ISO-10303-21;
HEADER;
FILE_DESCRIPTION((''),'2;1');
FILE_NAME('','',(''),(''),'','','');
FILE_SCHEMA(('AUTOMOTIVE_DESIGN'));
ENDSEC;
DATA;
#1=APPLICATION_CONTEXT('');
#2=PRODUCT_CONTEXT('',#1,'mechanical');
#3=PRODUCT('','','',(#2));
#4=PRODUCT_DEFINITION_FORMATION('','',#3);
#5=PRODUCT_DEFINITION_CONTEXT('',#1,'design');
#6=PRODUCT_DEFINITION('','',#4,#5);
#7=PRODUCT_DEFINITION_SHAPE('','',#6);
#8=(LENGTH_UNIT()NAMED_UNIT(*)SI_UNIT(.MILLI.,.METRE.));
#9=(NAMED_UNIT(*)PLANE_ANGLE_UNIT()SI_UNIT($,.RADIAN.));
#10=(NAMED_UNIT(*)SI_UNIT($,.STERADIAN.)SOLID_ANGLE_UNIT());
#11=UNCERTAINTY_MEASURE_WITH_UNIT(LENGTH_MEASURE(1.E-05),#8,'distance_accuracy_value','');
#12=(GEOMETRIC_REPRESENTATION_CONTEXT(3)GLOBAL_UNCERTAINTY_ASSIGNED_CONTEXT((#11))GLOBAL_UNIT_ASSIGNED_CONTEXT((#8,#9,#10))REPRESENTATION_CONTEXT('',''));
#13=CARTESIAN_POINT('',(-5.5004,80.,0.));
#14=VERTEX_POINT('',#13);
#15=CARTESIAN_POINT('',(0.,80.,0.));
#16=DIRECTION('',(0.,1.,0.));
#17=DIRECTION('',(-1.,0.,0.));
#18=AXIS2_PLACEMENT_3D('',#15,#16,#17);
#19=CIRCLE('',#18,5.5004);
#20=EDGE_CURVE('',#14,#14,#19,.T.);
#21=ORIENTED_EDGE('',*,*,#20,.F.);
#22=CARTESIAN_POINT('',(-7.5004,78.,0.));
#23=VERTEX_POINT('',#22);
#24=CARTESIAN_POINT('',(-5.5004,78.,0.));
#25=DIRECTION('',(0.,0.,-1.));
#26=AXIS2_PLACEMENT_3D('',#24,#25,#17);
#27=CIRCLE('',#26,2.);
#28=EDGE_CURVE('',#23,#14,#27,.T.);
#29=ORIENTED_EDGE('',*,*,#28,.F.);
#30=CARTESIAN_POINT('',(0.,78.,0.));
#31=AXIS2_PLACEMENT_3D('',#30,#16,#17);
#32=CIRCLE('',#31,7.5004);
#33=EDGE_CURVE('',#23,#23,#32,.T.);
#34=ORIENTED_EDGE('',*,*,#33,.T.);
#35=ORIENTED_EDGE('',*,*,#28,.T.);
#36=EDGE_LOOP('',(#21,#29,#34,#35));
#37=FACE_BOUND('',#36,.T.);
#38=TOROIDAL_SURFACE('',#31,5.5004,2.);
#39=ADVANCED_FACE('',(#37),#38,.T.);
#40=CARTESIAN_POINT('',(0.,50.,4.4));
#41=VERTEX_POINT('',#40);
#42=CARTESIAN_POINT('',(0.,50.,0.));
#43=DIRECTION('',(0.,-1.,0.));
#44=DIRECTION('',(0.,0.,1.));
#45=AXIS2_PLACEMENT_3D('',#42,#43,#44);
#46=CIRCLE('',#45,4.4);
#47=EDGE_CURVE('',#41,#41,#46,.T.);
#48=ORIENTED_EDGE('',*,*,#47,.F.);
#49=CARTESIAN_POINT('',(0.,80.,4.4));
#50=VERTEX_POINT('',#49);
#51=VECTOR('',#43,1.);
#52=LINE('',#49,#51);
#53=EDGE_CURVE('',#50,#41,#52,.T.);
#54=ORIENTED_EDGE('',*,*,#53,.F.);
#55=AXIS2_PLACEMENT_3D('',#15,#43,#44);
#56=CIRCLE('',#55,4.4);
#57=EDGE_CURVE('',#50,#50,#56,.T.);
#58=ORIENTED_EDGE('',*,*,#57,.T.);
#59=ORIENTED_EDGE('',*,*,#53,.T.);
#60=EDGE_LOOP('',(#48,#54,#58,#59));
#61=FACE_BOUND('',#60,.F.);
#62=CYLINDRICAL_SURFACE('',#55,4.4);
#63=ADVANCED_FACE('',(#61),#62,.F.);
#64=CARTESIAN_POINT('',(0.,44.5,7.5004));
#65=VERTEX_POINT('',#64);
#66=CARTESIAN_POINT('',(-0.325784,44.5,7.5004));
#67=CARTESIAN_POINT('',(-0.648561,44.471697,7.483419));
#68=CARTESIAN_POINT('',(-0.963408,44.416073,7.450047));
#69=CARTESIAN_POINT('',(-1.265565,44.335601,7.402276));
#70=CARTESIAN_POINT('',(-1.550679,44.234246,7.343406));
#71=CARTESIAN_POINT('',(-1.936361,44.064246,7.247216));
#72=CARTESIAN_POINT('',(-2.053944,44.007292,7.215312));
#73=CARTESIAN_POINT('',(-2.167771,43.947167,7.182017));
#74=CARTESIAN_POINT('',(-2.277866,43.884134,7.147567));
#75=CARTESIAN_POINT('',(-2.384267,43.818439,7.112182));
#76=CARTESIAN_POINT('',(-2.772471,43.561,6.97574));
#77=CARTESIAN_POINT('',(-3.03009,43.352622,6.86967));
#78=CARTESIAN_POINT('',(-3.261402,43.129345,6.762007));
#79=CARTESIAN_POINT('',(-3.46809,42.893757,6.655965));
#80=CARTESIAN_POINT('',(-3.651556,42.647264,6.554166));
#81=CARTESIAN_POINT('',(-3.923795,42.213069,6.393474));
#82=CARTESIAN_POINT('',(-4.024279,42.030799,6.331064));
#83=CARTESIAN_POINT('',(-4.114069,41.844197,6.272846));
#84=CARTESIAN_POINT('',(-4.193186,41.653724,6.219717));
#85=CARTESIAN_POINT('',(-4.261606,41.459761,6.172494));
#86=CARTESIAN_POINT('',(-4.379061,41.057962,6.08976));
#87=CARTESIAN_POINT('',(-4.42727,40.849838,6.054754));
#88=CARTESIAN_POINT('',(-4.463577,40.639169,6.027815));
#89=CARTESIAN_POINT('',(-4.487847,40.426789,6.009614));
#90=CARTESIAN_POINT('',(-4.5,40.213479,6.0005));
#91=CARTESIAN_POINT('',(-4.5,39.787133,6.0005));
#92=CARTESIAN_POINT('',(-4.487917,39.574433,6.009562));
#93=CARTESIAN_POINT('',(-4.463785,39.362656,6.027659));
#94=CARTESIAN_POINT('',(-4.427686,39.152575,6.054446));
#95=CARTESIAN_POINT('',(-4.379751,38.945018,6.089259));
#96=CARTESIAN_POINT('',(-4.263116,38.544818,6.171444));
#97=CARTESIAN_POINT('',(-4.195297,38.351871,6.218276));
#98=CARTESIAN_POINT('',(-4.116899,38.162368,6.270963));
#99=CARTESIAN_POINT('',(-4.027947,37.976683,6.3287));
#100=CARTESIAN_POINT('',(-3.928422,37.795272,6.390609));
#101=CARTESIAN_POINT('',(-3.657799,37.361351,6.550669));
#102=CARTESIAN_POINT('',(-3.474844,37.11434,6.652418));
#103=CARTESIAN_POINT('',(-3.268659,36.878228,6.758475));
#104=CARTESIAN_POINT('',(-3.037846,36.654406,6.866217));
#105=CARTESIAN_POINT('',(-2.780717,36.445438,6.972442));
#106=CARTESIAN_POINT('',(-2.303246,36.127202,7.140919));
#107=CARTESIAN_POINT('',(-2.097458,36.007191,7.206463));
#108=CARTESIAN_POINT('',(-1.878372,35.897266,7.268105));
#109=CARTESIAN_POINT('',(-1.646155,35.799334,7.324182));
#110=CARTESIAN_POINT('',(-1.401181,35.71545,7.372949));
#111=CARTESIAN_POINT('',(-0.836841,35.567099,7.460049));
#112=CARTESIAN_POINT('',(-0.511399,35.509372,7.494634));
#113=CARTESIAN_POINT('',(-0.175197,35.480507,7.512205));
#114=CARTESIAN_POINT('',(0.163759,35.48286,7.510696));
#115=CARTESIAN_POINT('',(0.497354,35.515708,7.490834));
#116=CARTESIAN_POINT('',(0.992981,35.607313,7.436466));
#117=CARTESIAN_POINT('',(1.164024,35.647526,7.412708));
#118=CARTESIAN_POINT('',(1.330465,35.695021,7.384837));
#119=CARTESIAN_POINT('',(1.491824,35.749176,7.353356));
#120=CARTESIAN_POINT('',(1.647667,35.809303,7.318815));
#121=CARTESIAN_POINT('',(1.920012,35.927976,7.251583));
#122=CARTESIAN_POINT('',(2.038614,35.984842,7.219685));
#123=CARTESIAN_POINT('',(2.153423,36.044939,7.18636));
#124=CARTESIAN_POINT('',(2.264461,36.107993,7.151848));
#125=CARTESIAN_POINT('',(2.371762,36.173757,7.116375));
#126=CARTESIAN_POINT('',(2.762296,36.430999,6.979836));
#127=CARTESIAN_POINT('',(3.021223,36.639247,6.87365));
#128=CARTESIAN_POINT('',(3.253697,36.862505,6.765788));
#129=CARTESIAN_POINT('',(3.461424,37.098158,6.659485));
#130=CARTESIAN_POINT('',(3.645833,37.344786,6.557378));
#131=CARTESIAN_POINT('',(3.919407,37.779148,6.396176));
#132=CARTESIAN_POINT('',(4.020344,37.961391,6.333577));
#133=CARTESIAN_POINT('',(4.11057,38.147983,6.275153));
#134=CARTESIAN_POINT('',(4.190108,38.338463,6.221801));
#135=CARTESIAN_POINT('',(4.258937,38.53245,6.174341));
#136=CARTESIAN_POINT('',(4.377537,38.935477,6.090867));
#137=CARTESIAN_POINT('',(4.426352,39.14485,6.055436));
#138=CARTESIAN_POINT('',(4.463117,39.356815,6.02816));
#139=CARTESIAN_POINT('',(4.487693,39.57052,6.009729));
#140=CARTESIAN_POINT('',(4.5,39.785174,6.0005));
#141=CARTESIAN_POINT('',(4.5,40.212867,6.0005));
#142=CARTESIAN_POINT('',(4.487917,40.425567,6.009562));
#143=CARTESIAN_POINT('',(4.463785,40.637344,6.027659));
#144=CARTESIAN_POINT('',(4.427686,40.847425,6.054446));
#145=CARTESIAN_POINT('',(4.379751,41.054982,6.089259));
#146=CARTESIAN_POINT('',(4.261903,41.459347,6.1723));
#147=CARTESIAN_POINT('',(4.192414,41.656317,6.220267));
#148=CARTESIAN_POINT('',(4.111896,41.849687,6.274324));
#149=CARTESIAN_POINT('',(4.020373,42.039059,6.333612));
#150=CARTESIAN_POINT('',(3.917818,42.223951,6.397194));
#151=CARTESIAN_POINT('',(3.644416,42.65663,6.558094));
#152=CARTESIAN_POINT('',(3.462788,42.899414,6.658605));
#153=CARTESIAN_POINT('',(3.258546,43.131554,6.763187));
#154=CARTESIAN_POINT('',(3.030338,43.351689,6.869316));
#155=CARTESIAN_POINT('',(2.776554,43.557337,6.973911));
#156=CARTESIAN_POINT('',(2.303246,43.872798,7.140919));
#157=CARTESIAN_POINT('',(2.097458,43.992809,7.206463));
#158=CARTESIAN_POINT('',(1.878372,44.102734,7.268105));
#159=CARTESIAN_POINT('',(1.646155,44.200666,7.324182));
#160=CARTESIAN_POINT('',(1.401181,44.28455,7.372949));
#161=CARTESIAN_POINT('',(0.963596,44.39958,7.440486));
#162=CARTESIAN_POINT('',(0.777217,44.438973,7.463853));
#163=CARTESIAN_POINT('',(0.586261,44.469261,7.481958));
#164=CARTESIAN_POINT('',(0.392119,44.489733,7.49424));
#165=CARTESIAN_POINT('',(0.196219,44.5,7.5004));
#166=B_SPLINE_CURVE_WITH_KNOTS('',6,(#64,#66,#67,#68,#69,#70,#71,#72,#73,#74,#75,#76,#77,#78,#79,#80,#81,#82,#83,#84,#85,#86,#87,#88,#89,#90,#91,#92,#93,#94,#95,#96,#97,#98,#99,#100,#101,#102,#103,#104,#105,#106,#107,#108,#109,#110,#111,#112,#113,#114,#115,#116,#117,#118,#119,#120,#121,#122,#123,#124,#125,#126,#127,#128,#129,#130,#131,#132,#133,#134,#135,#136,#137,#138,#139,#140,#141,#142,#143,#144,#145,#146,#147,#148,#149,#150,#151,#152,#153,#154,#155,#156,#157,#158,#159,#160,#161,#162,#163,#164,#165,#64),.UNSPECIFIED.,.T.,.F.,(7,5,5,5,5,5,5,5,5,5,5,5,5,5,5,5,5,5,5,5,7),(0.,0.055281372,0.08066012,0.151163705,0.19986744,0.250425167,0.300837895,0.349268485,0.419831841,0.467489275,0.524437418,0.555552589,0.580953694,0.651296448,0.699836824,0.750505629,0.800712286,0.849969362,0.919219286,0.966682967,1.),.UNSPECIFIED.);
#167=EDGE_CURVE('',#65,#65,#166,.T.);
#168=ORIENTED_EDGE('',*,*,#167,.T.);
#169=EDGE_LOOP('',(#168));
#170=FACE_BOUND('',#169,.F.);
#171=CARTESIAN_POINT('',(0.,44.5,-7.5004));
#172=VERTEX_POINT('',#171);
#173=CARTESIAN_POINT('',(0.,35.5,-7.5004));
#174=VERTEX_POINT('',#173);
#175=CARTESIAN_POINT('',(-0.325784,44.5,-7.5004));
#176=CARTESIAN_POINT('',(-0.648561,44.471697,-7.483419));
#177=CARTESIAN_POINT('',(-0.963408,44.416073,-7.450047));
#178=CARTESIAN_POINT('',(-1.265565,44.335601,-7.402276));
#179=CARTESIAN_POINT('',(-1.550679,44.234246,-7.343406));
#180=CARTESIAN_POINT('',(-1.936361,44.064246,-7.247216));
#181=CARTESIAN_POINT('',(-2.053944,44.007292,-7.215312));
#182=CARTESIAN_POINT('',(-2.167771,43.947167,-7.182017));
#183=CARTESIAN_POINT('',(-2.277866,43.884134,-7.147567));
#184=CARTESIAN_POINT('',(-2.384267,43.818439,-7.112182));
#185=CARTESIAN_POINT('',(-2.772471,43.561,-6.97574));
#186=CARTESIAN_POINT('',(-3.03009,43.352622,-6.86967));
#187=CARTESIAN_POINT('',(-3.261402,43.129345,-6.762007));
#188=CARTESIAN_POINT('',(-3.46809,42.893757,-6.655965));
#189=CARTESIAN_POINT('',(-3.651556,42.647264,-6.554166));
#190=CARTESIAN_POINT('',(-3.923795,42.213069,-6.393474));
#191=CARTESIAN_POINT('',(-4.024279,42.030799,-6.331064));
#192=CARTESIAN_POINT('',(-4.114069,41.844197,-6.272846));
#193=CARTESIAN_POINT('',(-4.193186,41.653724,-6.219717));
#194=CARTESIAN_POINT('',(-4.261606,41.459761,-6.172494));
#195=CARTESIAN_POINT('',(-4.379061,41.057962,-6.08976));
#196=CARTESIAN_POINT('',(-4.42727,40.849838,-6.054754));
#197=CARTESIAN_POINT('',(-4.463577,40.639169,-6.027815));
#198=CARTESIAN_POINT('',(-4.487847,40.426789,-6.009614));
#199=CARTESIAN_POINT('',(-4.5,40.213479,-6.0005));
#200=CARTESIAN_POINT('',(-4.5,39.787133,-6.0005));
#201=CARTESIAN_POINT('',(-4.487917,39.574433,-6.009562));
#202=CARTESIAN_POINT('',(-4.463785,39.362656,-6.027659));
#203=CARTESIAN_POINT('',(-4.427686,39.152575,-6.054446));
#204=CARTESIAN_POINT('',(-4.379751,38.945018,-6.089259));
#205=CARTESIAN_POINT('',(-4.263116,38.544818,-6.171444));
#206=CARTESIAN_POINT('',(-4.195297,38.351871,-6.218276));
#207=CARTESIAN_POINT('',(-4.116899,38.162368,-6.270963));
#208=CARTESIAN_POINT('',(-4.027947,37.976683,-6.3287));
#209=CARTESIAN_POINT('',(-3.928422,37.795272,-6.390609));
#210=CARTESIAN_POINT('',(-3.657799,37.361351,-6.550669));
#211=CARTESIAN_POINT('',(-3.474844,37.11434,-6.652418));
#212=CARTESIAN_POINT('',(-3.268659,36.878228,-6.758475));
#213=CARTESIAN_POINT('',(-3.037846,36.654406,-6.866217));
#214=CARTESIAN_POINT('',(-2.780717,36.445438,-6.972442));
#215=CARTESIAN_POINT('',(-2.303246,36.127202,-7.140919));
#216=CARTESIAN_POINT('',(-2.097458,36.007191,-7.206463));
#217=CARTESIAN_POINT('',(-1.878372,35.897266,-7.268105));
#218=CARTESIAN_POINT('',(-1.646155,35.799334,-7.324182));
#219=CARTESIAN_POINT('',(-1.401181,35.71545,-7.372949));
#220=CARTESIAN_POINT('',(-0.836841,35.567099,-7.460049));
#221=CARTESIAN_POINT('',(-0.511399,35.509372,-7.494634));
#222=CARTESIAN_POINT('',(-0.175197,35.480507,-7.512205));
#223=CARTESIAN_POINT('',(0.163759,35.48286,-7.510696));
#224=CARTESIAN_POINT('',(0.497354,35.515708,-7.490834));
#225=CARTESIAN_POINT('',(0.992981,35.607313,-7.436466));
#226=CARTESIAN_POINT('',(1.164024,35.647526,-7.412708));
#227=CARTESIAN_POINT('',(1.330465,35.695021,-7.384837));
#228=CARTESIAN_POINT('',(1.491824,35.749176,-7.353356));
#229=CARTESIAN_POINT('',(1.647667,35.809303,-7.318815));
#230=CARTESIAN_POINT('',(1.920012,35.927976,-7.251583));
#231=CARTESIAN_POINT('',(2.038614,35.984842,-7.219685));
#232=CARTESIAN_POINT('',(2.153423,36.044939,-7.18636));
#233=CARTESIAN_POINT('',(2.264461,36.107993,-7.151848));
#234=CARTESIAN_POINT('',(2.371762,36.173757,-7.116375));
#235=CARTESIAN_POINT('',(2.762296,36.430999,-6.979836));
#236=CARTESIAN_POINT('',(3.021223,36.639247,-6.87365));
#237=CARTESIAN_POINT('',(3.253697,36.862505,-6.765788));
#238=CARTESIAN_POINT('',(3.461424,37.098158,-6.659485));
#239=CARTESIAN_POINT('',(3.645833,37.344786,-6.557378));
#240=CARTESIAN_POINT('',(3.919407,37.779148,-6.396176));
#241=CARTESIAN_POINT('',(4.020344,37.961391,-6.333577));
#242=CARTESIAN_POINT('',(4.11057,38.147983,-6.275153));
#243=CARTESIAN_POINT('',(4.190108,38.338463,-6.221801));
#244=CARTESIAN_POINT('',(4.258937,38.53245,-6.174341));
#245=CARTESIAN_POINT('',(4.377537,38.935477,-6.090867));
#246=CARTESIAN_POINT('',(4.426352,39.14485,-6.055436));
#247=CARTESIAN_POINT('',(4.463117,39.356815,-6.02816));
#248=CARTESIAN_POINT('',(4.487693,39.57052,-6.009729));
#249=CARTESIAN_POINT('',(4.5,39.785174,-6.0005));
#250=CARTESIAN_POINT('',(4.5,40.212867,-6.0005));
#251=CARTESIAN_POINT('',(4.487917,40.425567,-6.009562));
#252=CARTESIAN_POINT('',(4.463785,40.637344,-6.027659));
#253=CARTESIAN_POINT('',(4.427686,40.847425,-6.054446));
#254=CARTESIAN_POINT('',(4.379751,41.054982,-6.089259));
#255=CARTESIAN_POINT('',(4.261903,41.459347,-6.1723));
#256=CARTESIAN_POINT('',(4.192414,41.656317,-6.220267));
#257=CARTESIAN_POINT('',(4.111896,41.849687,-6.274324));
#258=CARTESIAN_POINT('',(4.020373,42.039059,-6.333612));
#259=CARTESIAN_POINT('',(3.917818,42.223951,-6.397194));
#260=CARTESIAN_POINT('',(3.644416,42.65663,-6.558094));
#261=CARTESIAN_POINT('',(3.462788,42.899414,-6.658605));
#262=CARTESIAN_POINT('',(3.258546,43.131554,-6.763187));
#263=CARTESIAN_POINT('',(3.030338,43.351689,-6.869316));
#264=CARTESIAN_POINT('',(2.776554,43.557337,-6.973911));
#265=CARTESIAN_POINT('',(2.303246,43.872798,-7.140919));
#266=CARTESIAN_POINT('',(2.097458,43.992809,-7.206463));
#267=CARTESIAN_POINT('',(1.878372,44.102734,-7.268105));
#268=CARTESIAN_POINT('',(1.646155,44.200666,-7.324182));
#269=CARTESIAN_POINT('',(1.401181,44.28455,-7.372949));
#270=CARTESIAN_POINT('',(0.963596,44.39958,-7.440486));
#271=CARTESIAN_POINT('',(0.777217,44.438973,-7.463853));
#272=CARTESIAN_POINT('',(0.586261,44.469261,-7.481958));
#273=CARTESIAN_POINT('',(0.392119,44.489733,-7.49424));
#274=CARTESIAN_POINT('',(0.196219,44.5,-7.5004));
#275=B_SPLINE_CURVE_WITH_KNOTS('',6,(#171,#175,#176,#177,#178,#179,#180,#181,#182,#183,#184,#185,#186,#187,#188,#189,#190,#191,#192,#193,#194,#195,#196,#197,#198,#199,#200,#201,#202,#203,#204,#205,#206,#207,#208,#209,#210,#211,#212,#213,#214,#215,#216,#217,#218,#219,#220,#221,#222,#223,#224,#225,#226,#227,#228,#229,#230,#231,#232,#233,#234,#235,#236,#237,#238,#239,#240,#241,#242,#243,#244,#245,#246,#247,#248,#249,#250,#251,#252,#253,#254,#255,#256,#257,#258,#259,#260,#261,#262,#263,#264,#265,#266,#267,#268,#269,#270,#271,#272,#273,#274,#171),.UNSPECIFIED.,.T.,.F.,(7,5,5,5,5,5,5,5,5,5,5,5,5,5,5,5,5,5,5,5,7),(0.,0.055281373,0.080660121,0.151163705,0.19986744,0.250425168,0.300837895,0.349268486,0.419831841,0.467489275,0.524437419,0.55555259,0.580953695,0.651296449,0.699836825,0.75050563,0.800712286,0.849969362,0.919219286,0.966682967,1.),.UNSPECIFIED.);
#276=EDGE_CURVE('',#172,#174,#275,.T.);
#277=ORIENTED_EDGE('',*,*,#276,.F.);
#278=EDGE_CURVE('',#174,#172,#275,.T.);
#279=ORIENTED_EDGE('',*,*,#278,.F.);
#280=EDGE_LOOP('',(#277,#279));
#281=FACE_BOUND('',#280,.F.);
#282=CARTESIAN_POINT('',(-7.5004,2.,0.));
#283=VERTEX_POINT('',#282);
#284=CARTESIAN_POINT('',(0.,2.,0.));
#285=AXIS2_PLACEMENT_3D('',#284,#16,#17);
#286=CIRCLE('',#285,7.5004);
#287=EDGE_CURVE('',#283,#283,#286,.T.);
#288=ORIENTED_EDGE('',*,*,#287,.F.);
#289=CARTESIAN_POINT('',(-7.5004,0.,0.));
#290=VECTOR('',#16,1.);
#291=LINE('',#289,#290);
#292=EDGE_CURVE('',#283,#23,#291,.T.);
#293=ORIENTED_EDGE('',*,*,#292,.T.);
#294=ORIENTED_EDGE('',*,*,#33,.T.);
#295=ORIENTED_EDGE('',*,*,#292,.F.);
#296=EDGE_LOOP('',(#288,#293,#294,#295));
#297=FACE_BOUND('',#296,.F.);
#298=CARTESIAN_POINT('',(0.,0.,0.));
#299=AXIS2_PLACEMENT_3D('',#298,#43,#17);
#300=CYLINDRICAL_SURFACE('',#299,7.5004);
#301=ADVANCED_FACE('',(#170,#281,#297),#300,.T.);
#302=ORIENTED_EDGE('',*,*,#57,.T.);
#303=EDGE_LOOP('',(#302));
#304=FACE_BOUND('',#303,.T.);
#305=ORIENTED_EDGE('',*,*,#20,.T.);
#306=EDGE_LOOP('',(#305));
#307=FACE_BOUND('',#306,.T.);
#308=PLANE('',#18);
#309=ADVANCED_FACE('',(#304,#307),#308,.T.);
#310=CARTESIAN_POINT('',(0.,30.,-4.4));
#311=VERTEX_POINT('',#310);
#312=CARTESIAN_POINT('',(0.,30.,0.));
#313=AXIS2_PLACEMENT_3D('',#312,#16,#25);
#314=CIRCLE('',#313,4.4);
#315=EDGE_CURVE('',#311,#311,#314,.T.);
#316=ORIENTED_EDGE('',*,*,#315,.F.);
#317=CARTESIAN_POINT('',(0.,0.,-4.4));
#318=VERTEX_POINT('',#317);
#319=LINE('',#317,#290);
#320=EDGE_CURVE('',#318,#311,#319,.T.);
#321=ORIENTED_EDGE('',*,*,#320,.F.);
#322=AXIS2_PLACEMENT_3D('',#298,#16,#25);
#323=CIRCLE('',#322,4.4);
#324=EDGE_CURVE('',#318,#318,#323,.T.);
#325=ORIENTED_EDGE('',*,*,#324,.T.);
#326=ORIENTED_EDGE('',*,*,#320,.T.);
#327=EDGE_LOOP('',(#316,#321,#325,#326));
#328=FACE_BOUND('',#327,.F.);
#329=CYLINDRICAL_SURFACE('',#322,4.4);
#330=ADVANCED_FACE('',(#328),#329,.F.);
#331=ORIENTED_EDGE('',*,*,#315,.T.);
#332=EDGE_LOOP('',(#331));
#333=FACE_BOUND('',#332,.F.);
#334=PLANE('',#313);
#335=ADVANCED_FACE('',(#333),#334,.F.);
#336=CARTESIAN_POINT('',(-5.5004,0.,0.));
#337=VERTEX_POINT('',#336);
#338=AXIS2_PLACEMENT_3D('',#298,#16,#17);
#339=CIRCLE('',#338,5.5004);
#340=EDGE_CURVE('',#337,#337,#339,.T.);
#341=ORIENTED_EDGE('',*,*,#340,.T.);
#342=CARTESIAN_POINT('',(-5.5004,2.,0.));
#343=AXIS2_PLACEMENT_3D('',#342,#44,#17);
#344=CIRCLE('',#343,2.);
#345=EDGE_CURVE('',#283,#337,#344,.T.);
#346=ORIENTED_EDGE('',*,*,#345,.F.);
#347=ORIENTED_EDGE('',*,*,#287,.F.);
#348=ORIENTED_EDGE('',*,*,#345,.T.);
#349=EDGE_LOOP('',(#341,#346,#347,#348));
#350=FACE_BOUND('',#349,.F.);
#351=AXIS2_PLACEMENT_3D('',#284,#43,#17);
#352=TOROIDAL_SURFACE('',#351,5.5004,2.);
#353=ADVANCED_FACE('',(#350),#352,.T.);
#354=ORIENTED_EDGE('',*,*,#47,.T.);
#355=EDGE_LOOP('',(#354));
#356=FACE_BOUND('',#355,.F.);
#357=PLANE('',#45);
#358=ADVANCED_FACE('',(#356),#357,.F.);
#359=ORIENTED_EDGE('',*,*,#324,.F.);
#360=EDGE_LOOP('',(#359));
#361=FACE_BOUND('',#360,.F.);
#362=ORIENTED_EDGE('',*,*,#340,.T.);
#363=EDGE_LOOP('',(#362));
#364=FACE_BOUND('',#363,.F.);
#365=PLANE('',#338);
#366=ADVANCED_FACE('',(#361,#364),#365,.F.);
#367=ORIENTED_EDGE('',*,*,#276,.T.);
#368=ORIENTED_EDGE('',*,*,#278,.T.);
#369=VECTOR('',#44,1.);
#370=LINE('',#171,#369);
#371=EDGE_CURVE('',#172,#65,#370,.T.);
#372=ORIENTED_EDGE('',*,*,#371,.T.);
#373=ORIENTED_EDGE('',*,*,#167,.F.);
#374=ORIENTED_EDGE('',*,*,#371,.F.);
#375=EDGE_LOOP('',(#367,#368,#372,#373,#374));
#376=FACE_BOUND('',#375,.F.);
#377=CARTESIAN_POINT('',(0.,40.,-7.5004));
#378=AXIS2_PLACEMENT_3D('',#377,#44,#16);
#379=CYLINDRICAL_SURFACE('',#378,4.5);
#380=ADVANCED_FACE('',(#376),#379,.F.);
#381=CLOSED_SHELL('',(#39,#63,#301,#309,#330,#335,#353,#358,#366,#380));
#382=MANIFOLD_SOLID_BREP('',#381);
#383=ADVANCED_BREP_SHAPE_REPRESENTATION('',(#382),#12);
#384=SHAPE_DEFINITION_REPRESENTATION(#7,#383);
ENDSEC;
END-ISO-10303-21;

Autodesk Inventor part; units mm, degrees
ref_plane "YZ Plane" through (0, 0, 0) normal (1, 0, 0) x (0, 1, 0)
ref_plane "XZ Plane" through (0, 0, 0) normal (0, 1, 0) x (-1, 0, 0)
sketch "Sketch1" plane through (0, 0, 0) normal (0, 1, 0) x (-1, 0, 0)
  circle A0 centre (0, 0) radius 7.5004
extrude "Extrusion1" add sketch "Sketch1" along normal blind 80
sketch "Sketch2" plane through (0, 80, 0) normal (0, 1, 0) x (1, 0, 0)
  point P0 (0, 0)
hole "Hole1" at (0, 80, 0) direction (0, -1, 0) diameter 8.8 depth 30
thread "Thread1" size "M9x1.25" class "6H" standard "ISO Metric profile" length 30
hole "Hole2" at (0, 0, 0) direction (0, 1, 0) diameter 8.8 depth 30
sketch "Sketch6" plane through (0, 0, 0) normal (1, 0, 0) x (0, 1, 0)
  line L0 (0, -7.5004) -> (0, 7.5004) projected
  line L1 (0, -7.5004) -> (40, -7.5004)
  line L2 (0, -7.5004) -> (80, -7.5004) projected
  point P0 (0, 0)
ref_plane "Work Plane1" through (0, 0, -7.5004) normal (0, 0, -1) x (-1, 0, 0)
sketch "Sketch7" plane through (0, 0, -7.5004) normal (0, 0, -1) x (-1, 0, 0)
  line L0 (0, 0) -> (0, 40)
  circle A0 centre (0, 40) radius 4.4
  dimension "d22" = 40
  dimension "d23" = 8.8
hole "Hole3" at (0, 40, -7.5004) direction (0, 0, 1) diameter 9 end through all
thread "Thread3" size "M9x1.25" class "6H" standard "ANSI Metric M Profile" length 30
thread "Thread4" size "M9x1.25" class "6H" standard "ANSI Metric M Profile" length 30
fillet "Fillet1" radius 2 2 edges at (7.5004, 0, 0) (7.5004, 80, 0)
properties part number "_3DPrint"
